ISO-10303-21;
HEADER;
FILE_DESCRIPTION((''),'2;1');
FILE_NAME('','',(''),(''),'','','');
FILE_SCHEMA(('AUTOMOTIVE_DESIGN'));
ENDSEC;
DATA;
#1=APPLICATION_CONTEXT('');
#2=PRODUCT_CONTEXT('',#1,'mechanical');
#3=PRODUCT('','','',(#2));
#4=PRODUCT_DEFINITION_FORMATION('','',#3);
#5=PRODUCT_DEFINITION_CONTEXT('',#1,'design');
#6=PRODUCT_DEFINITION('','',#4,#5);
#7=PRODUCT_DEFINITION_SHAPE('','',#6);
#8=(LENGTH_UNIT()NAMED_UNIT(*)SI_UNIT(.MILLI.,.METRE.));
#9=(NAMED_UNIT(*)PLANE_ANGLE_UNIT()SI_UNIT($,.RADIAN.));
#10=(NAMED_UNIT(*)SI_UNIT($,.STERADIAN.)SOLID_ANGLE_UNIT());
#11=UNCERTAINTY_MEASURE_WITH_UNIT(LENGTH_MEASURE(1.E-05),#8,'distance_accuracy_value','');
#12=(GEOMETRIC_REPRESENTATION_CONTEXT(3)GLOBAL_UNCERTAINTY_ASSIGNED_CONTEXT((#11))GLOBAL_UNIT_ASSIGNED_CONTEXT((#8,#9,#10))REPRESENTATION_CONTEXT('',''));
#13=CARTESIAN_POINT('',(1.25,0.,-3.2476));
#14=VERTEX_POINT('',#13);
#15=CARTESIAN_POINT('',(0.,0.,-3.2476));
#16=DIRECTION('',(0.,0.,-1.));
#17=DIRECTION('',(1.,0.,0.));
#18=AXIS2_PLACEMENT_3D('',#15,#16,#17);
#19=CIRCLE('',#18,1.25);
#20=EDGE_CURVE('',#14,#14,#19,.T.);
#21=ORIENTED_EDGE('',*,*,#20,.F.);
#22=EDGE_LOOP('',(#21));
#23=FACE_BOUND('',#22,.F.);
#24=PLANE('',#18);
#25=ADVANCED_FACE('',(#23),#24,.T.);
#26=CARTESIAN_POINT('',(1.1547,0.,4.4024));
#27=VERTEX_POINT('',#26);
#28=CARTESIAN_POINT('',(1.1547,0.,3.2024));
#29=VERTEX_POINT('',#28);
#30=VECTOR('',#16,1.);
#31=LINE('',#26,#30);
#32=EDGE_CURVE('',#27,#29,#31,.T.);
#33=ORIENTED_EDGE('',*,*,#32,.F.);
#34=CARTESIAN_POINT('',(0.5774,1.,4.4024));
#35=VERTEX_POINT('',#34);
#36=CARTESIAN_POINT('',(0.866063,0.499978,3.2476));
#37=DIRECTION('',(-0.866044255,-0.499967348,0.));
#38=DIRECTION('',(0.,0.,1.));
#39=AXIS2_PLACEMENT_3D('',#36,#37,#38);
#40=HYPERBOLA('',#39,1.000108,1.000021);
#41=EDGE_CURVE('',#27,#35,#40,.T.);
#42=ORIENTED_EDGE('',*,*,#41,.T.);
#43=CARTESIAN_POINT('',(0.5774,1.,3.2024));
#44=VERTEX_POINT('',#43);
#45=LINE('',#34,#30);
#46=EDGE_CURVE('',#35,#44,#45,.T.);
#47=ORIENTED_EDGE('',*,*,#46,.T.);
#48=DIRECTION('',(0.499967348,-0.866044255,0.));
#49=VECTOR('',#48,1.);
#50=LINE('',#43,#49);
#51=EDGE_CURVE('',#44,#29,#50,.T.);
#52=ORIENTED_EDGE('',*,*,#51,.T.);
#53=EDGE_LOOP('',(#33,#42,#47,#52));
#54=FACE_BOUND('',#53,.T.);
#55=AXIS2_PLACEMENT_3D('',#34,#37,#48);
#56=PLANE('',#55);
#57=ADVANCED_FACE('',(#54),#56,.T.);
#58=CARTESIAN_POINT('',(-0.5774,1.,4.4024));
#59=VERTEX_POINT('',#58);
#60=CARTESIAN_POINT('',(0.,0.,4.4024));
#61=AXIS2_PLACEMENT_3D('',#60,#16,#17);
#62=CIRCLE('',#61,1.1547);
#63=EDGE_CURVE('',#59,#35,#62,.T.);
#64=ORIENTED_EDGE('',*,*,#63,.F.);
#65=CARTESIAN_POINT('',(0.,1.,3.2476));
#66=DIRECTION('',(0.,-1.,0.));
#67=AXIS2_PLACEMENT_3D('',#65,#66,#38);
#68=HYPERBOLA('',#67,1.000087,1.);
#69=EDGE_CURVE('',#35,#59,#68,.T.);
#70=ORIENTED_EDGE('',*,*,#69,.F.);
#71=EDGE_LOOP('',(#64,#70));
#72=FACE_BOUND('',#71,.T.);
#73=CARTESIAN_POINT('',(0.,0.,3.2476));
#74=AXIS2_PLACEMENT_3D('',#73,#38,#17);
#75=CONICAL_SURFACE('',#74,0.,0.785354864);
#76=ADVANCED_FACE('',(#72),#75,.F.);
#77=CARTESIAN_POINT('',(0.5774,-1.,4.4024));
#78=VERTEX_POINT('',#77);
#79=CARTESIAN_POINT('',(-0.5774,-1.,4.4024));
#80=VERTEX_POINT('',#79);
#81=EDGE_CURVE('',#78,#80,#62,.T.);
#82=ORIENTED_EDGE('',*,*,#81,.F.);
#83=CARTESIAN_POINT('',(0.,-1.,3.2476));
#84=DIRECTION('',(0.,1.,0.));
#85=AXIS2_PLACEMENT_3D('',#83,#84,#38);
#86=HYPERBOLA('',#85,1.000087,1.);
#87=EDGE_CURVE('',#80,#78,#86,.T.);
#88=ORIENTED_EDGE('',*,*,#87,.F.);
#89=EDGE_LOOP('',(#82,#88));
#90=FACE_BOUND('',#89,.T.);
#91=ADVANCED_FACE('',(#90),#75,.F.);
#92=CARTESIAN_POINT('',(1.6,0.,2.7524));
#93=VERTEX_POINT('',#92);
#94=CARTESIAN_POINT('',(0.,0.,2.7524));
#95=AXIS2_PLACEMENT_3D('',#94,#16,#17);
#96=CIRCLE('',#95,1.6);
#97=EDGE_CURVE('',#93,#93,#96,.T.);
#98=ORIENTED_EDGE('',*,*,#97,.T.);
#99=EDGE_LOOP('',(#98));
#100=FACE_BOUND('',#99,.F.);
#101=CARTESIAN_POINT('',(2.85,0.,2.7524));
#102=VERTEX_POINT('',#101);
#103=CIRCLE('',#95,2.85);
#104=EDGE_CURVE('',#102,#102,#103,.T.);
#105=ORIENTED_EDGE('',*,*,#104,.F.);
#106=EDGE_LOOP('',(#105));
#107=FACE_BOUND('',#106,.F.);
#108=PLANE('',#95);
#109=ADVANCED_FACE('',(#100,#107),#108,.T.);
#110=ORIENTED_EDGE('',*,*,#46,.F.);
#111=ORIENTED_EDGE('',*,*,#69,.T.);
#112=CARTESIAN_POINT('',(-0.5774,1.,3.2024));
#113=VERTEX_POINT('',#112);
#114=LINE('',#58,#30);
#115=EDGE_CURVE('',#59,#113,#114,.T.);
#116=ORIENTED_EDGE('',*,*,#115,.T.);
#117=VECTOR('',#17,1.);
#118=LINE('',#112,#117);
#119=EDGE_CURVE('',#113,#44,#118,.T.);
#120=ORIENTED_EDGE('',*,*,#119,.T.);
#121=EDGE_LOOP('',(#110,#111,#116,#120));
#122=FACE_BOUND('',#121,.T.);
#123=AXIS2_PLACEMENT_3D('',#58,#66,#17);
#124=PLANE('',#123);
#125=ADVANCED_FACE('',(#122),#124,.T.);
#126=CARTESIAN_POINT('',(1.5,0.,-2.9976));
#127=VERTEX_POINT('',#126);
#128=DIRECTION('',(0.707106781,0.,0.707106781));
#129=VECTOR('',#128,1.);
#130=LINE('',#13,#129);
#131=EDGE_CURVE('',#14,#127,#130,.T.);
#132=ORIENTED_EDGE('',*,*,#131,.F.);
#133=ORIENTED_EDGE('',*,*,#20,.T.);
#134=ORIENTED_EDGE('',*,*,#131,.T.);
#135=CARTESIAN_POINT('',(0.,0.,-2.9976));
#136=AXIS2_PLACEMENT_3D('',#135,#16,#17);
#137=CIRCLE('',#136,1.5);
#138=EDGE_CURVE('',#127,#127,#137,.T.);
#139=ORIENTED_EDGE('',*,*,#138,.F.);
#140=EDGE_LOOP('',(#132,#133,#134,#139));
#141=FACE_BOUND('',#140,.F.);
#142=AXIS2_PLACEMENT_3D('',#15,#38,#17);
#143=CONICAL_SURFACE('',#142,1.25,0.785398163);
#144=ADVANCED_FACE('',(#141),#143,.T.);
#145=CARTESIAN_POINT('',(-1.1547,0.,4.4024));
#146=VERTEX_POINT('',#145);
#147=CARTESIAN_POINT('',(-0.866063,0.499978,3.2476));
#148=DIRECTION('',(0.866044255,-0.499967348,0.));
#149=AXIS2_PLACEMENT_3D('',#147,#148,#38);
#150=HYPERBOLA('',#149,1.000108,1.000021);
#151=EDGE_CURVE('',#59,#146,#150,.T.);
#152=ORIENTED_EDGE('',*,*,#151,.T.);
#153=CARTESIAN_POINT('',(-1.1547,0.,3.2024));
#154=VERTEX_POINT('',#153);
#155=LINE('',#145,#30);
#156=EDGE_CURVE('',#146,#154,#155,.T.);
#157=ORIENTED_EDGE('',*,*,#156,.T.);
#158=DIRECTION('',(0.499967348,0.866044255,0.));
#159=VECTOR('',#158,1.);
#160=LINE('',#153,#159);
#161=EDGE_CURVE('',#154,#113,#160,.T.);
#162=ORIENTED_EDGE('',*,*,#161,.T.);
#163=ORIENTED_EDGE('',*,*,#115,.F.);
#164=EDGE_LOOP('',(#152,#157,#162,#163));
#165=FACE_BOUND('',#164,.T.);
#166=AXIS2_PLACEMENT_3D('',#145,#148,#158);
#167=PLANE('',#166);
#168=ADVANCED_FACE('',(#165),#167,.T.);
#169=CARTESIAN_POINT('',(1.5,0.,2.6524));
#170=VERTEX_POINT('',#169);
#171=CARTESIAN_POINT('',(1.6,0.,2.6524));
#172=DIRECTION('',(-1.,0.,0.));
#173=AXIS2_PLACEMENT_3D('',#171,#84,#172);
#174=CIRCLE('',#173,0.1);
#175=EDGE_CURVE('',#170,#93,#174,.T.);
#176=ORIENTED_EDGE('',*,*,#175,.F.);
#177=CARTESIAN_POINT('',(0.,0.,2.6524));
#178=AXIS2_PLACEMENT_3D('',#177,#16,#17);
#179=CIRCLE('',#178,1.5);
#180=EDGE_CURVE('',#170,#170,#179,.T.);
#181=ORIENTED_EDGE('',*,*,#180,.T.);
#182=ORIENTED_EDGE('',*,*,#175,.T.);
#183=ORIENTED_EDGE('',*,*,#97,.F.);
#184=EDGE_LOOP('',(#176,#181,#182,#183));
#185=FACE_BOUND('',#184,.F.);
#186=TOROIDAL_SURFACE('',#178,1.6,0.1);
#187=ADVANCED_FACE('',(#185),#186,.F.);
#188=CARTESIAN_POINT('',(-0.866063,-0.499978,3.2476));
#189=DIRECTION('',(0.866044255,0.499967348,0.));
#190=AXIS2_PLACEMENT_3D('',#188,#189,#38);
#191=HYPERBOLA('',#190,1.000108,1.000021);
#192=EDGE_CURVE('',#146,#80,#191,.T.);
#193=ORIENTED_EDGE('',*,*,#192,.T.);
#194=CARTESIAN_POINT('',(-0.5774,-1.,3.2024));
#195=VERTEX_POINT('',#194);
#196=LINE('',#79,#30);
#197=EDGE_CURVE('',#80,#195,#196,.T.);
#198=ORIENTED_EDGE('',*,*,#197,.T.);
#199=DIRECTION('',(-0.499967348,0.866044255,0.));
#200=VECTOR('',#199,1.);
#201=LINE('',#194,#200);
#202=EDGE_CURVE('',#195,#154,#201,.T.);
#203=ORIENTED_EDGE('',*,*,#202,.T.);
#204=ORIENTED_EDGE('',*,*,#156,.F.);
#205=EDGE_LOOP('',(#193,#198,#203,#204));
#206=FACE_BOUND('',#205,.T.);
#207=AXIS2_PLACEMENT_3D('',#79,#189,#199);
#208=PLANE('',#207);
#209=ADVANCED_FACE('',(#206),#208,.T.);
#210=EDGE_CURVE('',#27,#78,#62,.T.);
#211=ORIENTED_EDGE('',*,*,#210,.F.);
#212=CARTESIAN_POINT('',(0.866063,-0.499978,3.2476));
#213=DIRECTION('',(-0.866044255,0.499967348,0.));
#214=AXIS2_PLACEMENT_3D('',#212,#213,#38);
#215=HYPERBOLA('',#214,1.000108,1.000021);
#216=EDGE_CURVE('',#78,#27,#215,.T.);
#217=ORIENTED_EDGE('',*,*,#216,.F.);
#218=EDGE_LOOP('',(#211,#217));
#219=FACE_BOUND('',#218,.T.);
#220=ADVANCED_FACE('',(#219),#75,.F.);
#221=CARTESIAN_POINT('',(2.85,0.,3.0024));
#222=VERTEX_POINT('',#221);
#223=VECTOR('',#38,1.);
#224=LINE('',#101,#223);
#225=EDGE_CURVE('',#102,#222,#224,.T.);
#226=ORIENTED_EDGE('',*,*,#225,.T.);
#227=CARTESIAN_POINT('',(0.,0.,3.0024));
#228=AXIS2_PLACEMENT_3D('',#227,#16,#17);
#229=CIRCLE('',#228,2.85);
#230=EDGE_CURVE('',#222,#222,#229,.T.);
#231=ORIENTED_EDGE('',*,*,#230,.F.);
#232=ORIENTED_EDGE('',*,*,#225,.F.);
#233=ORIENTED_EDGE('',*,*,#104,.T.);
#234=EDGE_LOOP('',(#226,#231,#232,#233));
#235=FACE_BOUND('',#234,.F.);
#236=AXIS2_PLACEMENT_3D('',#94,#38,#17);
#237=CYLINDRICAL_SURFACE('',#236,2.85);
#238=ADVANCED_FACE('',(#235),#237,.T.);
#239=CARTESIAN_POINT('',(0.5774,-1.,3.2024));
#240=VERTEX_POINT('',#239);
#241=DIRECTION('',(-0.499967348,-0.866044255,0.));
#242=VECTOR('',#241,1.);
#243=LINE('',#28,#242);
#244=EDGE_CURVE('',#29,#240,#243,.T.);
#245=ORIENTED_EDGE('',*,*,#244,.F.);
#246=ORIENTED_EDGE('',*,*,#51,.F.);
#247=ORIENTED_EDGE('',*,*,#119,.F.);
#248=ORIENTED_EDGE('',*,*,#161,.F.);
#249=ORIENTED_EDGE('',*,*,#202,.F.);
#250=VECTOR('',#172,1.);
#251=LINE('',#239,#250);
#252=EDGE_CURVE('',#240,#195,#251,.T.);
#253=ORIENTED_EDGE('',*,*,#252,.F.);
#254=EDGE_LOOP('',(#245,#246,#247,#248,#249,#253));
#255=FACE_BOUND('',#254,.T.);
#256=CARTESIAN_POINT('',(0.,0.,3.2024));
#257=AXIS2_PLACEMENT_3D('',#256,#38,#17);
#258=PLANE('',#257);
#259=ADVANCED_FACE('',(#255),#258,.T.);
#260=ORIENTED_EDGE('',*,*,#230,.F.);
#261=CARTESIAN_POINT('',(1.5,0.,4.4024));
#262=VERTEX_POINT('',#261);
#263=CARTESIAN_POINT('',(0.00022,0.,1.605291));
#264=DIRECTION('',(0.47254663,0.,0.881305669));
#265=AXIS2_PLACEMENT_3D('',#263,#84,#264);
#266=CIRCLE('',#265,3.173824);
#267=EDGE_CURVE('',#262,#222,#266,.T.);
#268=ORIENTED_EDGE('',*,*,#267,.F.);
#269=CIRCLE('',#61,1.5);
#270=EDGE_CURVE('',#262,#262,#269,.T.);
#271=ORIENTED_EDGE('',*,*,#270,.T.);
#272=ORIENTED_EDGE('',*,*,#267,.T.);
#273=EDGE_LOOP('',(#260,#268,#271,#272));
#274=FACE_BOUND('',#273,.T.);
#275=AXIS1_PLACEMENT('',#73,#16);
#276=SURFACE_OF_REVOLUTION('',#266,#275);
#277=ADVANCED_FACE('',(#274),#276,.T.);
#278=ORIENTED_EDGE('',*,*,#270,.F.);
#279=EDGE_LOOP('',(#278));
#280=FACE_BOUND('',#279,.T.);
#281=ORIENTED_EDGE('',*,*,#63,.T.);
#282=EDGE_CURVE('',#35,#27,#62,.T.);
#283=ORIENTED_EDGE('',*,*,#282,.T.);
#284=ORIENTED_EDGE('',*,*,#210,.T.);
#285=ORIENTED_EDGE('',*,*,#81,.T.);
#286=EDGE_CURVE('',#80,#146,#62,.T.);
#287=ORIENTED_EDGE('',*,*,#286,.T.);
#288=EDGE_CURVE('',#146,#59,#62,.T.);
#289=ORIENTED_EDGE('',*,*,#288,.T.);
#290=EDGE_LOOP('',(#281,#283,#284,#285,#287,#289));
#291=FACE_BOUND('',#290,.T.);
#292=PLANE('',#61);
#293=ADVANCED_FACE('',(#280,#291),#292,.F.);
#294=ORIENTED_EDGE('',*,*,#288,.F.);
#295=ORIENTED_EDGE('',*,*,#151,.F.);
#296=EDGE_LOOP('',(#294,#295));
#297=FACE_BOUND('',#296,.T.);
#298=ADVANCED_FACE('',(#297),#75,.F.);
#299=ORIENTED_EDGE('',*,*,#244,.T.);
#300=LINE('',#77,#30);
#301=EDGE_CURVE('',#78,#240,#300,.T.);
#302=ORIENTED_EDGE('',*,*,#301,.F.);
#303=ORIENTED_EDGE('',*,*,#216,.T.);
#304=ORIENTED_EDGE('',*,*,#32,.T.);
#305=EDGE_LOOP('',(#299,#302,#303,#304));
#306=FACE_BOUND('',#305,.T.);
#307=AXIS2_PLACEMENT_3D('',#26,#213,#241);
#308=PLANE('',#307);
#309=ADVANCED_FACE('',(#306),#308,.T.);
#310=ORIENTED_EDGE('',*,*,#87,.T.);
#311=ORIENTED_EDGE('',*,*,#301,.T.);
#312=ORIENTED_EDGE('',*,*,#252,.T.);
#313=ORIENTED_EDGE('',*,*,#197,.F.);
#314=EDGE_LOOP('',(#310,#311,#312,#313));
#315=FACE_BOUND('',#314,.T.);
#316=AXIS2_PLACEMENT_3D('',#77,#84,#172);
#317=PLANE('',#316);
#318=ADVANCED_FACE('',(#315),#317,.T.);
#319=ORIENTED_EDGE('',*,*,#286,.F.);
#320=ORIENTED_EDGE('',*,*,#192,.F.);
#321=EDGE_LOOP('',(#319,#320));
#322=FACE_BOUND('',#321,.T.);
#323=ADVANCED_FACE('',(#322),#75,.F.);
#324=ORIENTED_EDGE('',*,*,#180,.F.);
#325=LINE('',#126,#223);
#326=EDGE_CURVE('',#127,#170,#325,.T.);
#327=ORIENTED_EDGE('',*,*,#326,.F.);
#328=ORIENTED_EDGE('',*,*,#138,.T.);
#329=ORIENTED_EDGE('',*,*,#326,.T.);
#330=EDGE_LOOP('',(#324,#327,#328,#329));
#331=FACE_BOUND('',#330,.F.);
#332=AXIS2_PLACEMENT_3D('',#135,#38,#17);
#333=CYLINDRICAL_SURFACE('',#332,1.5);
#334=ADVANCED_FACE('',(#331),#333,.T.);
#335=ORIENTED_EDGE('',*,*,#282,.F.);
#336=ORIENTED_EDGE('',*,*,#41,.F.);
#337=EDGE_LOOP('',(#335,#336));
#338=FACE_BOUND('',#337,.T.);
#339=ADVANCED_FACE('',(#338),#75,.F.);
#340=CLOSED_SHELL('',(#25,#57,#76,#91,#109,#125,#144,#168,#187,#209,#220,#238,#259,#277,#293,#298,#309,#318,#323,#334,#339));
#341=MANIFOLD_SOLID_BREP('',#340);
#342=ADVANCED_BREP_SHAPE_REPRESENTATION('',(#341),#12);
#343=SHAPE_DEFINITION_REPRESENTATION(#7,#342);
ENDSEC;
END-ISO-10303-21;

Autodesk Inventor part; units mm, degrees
ref_plane "YZ Plane" through (0, 0, 0) normal (1, 0, 0) x (0, 1, 0)
ref_plane "XZ Plane" through (0, 0, 0) normal (0, 1, 0) x (-1, 0, 0)
ref_plane "XY Plane" through (0, 0, 0) normal (0, 0, 1) x (1, 0, 0)
sketch "Sketch1" plane through (0, 0, 0) normal (0, 1, 0) x (-1, 0, 0)
  line L0 (0, 3.2476) -> (0, -3.2476)
  line L1 (0, -3.2476) -> (-1.25, -3.2476)
  line L2 (-1.25, -3.2476) -> (-1.5, -2.9976)
  line L3 (-1.5, -2.9976) -> (-1.5, 2.6524)
  line L4 (-1.6, 2.7524) -> (-2.85, 2.7524)
  line L5 (-2.85, 2.7524) -> (-2.85, 3.0024)
  line L6 (0, 3.2476) -> (-1.1547, 4.4024)
  line L7 (-1.1547, 4.4024) -> (-1.5, 4.4024)
  arc A0 (-1.5, 4.4024) -> (-2.85, 3.0024) centre (0, 1.605) ccw
  line L8 (-1.1547, 4.4024) -> (-0.5774, 5.4024) construction
  line L9 (-0.5774, 5.4024) -> (0.5774, 5.4024) construction
  line L10 (0.5774, 5.4024) -> (1.1547, 4.4024) construction
  line L11 (1.1547, 4.4024) -> (0.5774, 3.4024) construction
  line L12 (0.5774, 3.4024) -> (-0.5774, 3.4024) construction
  line L13 (-0.5774, 3.4024) -> (-1.1547, 4.4024) construction
  arc A1 (-1.5, 2.6524) -> (-1.6, 2.7524) centre (-1.6, 2.6524) ccw
  point P0 (0, 0)
  point P1 (-1.5, 2.7524)
  point P2 (0, 0)
  point P3 (0, 4.4024)
  dimension "d0" = 3
  dimension "d1" = 6
  dimension "d2" = 0.25
  dimension "d3" = 135
  dimension "d4" = 5.7
  dimension "d5" = 3
  dimension "d6" = 1.65
  dimension "d7" = 2
  dimension "d8" = 0.25
  dimension "d15" = 3.2
revolve "Revolution1" add sketch "Sketch1" angle 360 about axis through (0, 0, 3.2476) along (0, 0, -1)
sketch "Sketch2" plane through (0, 0, 4.4024) normal (0, 0, 1) x (1, 0, 0)
  circle A0 centre (0, 0) radius 1.1547
  circle A1 centre (0, 0) radius 1.5
  line L0 (-1.1547, 0) -> (-0.5774, 1)
  line L1 (-0.5774, 1) -> (0.5774, 1)
  line L2 (0.5774, 1) -> (1.1547, 0)
  line L3 (1.1547, 0) -> (0.5774, -1)
  line L4 (0.5774, -1) -> (-0.5774, -1)
  line L5 (-0.5774, -1) -> (-1.1547, 0)
  point P0 (0, 0)
extrude "Extrusion1" cut sketch "Sketch2" against normal blind 1.2 contours L3 L4 L5 L0 L1 L2
thread "Thread1"
properties part number "Bolt_M3x0.35_6mm_BH" material "Stainless Steel"
